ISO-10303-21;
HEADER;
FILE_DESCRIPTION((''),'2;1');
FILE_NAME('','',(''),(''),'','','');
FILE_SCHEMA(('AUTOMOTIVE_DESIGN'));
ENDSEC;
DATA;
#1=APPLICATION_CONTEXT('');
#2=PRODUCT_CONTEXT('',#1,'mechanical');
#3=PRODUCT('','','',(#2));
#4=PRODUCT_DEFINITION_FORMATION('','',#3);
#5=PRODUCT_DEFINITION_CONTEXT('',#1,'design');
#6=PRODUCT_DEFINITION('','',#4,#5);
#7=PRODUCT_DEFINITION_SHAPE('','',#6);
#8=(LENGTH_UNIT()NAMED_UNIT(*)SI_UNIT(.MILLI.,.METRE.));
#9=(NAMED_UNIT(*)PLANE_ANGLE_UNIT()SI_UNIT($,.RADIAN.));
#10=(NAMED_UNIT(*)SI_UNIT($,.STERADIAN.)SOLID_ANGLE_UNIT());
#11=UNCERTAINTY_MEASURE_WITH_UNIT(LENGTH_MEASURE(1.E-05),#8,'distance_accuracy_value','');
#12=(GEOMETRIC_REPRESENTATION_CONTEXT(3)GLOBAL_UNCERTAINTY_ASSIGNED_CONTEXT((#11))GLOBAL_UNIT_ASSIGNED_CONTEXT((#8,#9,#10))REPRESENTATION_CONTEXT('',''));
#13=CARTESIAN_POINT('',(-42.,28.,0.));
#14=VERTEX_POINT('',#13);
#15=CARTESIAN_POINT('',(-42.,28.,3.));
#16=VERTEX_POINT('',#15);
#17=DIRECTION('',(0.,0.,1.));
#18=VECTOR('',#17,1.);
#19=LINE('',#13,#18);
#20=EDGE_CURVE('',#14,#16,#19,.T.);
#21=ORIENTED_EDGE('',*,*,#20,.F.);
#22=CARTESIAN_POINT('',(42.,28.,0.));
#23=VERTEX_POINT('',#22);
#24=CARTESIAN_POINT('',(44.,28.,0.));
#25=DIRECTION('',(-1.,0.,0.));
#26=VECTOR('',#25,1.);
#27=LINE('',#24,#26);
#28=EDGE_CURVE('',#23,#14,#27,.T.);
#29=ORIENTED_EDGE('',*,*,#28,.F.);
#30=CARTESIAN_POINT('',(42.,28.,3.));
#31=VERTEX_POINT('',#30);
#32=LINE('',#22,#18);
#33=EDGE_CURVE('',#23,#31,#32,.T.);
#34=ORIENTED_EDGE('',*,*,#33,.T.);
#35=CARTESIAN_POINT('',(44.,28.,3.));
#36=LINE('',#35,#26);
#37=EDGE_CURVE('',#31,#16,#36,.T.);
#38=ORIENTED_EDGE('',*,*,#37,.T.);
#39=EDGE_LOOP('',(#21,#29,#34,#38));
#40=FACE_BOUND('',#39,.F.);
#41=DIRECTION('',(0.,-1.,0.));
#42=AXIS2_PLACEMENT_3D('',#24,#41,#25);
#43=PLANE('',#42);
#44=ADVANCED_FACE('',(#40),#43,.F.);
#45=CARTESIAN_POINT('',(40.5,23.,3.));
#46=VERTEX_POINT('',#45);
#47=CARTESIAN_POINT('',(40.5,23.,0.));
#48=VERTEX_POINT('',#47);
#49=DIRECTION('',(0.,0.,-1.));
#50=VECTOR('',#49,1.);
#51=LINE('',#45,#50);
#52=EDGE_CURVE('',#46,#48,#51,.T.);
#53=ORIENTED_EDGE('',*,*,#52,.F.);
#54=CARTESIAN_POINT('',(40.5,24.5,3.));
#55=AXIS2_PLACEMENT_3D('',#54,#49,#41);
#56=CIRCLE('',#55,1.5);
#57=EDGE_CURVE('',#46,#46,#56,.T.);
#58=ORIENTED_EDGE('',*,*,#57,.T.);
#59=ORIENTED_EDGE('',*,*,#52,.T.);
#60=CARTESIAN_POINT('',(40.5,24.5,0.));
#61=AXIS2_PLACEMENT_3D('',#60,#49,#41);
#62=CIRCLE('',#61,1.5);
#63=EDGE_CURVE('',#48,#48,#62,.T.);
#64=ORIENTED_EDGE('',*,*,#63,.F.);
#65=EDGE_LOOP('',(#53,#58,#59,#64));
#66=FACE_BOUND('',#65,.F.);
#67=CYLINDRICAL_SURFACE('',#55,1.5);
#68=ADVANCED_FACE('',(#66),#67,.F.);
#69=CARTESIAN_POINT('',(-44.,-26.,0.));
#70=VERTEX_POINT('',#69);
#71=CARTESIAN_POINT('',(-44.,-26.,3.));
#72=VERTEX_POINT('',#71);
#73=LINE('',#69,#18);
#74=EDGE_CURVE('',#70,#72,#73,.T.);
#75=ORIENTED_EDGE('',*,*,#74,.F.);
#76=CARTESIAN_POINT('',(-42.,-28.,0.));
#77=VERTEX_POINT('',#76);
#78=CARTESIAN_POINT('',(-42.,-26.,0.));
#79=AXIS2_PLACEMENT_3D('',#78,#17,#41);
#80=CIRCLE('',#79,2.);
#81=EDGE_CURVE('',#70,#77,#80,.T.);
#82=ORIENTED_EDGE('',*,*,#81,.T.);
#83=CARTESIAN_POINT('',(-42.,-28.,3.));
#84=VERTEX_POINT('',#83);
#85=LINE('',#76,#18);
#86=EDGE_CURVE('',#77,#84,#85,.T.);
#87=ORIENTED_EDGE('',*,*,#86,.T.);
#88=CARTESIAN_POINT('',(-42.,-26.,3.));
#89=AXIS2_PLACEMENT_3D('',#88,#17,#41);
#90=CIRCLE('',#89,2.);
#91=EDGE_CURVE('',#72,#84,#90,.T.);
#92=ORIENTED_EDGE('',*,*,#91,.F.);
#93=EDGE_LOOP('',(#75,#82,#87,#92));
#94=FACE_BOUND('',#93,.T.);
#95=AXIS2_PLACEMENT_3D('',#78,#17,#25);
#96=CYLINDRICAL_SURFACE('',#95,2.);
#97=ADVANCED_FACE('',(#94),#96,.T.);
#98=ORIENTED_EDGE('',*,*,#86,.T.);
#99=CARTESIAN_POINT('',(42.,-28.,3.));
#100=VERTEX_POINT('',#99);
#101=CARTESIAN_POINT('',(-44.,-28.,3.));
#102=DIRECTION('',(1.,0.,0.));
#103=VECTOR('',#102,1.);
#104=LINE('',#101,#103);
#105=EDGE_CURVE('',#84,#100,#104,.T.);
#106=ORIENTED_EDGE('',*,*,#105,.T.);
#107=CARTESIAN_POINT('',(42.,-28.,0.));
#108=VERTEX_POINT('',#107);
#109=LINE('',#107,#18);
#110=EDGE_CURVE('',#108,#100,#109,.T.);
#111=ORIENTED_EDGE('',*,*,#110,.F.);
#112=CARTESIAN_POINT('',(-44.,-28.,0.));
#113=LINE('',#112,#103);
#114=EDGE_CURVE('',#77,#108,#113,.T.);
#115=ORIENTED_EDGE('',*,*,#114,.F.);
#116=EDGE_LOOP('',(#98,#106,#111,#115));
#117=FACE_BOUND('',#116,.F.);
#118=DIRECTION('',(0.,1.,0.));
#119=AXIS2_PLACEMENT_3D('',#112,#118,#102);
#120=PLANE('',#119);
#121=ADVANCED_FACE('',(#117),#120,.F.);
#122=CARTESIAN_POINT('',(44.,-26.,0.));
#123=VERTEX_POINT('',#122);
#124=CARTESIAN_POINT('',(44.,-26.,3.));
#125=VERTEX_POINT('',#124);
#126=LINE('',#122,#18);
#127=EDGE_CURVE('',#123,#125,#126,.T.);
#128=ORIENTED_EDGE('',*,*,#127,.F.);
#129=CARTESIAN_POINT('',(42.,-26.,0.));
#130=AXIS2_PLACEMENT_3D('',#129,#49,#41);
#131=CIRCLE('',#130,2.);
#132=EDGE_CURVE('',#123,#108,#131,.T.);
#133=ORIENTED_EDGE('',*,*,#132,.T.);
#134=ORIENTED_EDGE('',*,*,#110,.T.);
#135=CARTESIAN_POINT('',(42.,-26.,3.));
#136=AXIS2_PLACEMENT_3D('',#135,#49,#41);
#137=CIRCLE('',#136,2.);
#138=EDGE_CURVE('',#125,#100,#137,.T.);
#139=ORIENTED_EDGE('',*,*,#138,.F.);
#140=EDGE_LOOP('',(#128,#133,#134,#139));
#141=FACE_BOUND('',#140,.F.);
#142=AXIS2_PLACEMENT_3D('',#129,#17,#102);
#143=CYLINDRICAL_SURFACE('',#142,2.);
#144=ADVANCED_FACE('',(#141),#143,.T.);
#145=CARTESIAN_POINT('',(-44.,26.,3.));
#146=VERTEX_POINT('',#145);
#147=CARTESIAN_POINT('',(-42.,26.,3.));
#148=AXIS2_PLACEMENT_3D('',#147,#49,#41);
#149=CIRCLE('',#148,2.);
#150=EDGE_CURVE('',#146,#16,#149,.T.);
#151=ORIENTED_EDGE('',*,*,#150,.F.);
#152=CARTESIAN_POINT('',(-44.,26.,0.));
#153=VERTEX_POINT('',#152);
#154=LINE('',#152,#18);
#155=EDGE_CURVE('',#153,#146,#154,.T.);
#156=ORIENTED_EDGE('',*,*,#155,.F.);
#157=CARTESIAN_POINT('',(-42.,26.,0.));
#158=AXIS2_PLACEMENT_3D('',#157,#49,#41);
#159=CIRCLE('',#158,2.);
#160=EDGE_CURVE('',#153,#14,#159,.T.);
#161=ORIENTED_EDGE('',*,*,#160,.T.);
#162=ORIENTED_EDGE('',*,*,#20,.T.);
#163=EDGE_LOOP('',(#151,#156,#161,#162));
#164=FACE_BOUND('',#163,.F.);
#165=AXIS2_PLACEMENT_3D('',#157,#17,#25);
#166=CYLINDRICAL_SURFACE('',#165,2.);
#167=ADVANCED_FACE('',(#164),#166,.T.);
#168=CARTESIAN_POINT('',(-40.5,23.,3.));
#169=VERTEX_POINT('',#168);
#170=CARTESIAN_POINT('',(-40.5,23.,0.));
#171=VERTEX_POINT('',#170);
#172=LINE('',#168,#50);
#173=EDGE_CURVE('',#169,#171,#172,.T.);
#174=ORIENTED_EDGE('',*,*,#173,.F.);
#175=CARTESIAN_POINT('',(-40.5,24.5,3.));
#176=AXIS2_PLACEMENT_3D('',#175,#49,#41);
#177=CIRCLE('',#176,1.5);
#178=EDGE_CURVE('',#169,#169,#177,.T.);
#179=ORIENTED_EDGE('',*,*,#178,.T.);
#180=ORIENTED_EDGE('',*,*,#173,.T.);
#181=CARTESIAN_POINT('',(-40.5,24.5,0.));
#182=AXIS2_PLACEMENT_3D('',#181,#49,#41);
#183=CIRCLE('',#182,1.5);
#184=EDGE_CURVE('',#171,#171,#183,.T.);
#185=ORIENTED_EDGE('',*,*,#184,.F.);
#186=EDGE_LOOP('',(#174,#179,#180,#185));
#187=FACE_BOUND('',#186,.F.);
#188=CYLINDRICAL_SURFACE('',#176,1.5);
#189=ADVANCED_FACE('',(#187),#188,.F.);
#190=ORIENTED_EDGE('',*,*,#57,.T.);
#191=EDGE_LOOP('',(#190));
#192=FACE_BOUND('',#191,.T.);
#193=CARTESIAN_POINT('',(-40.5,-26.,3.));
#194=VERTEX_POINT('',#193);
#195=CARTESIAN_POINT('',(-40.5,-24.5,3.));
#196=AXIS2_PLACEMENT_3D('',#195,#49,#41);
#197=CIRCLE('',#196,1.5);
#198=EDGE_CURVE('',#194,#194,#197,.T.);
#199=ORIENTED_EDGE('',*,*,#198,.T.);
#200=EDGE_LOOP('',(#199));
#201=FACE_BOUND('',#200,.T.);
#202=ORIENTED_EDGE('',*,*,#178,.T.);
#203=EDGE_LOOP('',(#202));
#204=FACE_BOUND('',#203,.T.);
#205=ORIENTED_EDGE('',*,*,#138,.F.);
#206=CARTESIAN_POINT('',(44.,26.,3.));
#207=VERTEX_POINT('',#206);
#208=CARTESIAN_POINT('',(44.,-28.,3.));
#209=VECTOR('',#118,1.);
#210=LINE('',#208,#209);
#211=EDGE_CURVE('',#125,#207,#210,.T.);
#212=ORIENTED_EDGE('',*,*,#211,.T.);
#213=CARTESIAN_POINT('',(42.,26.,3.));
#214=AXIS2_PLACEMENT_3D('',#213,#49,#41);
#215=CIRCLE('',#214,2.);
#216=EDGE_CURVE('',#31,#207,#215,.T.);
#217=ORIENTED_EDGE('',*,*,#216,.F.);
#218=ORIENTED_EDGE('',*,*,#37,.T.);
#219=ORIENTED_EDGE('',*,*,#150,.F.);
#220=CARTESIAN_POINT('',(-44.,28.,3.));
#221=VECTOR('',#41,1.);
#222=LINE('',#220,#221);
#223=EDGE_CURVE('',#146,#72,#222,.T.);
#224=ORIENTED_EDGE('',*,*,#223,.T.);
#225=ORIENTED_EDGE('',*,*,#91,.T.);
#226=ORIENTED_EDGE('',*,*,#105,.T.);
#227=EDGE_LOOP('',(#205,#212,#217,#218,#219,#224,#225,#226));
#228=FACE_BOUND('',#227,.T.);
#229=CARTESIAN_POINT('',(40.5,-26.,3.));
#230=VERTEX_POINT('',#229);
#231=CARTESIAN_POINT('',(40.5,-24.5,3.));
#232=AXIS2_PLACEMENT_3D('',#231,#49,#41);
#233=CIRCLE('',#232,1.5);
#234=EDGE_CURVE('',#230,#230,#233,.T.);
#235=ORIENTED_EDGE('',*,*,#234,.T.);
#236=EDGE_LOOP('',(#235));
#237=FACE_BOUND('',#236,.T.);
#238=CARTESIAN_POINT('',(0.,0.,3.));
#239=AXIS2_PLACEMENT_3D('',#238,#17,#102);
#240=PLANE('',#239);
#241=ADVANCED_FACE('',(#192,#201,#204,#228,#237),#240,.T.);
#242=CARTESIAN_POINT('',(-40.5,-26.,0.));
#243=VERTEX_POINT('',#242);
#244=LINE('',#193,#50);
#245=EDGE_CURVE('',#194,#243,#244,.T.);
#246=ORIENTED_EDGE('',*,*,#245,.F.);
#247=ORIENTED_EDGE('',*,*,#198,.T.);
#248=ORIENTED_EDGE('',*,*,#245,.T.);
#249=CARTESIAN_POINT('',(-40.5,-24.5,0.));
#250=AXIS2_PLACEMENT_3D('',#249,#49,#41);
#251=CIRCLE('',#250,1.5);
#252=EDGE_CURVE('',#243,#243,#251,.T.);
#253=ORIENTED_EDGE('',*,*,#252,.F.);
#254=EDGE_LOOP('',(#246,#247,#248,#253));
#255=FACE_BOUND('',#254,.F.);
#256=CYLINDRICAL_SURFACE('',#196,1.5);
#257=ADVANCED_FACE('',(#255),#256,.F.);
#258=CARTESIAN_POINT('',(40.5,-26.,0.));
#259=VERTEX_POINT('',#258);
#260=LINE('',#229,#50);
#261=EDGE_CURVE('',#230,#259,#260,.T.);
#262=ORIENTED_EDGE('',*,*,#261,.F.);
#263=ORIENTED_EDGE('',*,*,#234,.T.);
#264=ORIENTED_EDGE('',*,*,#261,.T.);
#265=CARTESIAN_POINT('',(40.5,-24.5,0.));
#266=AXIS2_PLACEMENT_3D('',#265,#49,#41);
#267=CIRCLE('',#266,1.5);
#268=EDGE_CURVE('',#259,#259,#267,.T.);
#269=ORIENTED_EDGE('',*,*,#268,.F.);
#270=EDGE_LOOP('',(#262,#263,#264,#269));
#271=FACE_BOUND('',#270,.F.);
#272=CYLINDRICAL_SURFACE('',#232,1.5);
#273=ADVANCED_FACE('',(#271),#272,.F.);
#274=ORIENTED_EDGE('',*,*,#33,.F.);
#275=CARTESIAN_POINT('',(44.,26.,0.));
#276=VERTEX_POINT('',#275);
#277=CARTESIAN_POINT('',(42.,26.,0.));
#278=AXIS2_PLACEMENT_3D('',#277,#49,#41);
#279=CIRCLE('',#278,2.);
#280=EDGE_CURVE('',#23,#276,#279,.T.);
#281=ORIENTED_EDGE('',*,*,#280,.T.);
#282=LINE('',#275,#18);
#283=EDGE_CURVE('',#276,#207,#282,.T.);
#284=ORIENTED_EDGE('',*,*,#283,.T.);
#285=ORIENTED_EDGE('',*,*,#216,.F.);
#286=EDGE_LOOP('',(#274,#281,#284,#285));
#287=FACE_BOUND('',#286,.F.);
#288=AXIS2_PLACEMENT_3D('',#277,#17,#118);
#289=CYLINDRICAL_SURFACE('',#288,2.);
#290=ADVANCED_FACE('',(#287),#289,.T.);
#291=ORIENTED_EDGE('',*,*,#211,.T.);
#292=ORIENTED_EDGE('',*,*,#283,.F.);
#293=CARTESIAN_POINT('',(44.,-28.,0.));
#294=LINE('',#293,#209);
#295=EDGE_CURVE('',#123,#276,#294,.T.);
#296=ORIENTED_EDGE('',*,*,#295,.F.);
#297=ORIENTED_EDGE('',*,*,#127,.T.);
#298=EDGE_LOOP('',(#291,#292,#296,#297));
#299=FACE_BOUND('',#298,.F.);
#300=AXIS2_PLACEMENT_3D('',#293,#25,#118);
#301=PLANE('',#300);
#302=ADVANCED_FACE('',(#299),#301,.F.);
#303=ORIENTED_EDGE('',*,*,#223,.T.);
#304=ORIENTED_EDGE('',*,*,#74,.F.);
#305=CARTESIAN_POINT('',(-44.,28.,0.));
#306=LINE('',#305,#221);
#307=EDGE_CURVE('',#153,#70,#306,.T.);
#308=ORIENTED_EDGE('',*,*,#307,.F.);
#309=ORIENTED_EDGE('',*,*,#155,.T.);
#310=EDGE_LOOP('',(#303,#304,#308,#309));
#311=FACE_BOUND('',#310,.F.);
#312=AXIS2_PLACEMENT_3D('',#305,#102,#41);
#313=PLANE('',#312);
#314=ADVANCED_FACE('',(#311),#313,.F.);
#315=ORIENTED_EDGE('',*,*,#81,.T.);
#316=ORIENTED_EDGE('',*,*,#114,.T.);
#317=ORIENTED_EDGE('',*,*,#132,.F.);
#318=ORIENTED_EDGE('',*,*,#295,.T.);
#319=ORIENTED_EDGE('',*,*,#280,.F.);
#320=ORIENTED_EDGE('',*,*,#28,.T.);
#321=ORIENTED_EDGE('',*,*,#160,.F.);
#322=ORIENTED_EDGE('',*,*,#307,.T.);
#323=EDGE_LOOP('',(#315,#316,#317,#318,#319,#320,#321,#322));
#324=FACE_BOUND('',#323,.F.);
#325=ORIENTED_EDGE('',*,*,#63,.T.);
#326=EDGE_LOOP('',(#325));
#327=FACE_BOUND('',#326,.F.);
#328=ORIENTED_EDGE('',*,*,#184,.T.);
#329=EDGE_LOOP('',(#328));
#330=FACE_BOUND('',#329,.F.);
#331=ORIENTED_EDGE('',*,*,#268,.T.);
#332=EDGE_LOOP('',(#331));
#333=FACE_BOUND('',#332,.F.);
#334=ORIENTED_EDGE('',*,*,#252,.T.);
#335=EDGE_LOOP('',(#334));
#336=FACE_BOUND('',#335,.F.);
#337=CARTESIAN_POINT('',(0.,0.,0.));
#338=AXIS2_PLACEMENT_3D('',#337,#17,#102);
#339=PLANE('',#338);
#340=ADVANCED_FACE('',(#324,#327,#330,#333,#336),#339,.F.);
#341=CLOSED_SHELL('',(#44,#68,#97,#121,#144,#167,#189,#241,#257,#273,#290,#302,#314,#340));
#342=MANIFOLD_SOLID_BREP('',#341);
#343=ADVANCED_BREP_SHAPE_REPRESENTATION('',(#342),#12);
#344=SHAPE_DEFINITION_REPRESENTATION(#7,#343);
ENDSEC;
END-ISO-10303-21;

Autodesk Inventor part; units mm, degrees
ref_plane "YZ Plane" through (0, 0, 0) normal (1, 0, 0) x (0, 1, 0)
ref_plane "XZ Plane" through (0, 0, 0) normal (0, 1, 0) x (-1, 0, 0)
ref_plane "XY Plane" through (0, 0, 0) normal (0, 0, 1) x (1, 0, 0)
sketch "Sketch1" plane through (0, 0, 0) normal (0, 0, 1) x (1, 0, 0)
  line L0 (-44, -28) -> (44, -28)
  line L1 (44, -28) -> (44, 28)
  line L2 (44, 28) -> (-44, 28)
  line L3 (-44, 28) -> (-44, -28)
  line L4 (-44, -28) -> (44, 28) construction
  line L5 (44, -28) -> (-44, 28) construction
  point P0 (0, 0)
  dimension "d0" = 88
  dimension "d1" = 56
extrude "Extrusion1" add sketch "Sketch1" along normal blind 3
fillet "Fillet1" radius 2 4 edges at (44, 28, 1.5) (44, -28, 1.5) (-44, 28, 1.5) (-44, -28, 1.5)
sketch "Sketch2" plane through (0, 0, 3) normal (0, 0, 1) x (1, 0, 0)
  line L0 (-40.5, -24.5) -> (40.5, -24.5)
  line L1 (40.5, -24.5) -> (40.5, 24.5)
  line L2 (40.5, 24.5) -> (-40.5, 24.5)
  line L3 (-40.5, 24.5) -> (-40.5, -24.5)
  line L4 (-40.5, -24.5) -> (40.5, 24.5) construction
  line L5 (40.5, -24.5) -> (-40.5, 24.5) construction
  point P0 (0, 0)
  point P1 (-40.5, 24.5)
  dimension "d12" = 81
  dimension "d13" = 49
hole "Hole1" at (-40.5, -24.5, 3) at (-40.5, 24.5, 3) at (40.5, -24.5, 3) at (40.5, 24.5, 3) direction (0, 0, -1) diameter 3 end through all
properties part number "Distance_plate"
